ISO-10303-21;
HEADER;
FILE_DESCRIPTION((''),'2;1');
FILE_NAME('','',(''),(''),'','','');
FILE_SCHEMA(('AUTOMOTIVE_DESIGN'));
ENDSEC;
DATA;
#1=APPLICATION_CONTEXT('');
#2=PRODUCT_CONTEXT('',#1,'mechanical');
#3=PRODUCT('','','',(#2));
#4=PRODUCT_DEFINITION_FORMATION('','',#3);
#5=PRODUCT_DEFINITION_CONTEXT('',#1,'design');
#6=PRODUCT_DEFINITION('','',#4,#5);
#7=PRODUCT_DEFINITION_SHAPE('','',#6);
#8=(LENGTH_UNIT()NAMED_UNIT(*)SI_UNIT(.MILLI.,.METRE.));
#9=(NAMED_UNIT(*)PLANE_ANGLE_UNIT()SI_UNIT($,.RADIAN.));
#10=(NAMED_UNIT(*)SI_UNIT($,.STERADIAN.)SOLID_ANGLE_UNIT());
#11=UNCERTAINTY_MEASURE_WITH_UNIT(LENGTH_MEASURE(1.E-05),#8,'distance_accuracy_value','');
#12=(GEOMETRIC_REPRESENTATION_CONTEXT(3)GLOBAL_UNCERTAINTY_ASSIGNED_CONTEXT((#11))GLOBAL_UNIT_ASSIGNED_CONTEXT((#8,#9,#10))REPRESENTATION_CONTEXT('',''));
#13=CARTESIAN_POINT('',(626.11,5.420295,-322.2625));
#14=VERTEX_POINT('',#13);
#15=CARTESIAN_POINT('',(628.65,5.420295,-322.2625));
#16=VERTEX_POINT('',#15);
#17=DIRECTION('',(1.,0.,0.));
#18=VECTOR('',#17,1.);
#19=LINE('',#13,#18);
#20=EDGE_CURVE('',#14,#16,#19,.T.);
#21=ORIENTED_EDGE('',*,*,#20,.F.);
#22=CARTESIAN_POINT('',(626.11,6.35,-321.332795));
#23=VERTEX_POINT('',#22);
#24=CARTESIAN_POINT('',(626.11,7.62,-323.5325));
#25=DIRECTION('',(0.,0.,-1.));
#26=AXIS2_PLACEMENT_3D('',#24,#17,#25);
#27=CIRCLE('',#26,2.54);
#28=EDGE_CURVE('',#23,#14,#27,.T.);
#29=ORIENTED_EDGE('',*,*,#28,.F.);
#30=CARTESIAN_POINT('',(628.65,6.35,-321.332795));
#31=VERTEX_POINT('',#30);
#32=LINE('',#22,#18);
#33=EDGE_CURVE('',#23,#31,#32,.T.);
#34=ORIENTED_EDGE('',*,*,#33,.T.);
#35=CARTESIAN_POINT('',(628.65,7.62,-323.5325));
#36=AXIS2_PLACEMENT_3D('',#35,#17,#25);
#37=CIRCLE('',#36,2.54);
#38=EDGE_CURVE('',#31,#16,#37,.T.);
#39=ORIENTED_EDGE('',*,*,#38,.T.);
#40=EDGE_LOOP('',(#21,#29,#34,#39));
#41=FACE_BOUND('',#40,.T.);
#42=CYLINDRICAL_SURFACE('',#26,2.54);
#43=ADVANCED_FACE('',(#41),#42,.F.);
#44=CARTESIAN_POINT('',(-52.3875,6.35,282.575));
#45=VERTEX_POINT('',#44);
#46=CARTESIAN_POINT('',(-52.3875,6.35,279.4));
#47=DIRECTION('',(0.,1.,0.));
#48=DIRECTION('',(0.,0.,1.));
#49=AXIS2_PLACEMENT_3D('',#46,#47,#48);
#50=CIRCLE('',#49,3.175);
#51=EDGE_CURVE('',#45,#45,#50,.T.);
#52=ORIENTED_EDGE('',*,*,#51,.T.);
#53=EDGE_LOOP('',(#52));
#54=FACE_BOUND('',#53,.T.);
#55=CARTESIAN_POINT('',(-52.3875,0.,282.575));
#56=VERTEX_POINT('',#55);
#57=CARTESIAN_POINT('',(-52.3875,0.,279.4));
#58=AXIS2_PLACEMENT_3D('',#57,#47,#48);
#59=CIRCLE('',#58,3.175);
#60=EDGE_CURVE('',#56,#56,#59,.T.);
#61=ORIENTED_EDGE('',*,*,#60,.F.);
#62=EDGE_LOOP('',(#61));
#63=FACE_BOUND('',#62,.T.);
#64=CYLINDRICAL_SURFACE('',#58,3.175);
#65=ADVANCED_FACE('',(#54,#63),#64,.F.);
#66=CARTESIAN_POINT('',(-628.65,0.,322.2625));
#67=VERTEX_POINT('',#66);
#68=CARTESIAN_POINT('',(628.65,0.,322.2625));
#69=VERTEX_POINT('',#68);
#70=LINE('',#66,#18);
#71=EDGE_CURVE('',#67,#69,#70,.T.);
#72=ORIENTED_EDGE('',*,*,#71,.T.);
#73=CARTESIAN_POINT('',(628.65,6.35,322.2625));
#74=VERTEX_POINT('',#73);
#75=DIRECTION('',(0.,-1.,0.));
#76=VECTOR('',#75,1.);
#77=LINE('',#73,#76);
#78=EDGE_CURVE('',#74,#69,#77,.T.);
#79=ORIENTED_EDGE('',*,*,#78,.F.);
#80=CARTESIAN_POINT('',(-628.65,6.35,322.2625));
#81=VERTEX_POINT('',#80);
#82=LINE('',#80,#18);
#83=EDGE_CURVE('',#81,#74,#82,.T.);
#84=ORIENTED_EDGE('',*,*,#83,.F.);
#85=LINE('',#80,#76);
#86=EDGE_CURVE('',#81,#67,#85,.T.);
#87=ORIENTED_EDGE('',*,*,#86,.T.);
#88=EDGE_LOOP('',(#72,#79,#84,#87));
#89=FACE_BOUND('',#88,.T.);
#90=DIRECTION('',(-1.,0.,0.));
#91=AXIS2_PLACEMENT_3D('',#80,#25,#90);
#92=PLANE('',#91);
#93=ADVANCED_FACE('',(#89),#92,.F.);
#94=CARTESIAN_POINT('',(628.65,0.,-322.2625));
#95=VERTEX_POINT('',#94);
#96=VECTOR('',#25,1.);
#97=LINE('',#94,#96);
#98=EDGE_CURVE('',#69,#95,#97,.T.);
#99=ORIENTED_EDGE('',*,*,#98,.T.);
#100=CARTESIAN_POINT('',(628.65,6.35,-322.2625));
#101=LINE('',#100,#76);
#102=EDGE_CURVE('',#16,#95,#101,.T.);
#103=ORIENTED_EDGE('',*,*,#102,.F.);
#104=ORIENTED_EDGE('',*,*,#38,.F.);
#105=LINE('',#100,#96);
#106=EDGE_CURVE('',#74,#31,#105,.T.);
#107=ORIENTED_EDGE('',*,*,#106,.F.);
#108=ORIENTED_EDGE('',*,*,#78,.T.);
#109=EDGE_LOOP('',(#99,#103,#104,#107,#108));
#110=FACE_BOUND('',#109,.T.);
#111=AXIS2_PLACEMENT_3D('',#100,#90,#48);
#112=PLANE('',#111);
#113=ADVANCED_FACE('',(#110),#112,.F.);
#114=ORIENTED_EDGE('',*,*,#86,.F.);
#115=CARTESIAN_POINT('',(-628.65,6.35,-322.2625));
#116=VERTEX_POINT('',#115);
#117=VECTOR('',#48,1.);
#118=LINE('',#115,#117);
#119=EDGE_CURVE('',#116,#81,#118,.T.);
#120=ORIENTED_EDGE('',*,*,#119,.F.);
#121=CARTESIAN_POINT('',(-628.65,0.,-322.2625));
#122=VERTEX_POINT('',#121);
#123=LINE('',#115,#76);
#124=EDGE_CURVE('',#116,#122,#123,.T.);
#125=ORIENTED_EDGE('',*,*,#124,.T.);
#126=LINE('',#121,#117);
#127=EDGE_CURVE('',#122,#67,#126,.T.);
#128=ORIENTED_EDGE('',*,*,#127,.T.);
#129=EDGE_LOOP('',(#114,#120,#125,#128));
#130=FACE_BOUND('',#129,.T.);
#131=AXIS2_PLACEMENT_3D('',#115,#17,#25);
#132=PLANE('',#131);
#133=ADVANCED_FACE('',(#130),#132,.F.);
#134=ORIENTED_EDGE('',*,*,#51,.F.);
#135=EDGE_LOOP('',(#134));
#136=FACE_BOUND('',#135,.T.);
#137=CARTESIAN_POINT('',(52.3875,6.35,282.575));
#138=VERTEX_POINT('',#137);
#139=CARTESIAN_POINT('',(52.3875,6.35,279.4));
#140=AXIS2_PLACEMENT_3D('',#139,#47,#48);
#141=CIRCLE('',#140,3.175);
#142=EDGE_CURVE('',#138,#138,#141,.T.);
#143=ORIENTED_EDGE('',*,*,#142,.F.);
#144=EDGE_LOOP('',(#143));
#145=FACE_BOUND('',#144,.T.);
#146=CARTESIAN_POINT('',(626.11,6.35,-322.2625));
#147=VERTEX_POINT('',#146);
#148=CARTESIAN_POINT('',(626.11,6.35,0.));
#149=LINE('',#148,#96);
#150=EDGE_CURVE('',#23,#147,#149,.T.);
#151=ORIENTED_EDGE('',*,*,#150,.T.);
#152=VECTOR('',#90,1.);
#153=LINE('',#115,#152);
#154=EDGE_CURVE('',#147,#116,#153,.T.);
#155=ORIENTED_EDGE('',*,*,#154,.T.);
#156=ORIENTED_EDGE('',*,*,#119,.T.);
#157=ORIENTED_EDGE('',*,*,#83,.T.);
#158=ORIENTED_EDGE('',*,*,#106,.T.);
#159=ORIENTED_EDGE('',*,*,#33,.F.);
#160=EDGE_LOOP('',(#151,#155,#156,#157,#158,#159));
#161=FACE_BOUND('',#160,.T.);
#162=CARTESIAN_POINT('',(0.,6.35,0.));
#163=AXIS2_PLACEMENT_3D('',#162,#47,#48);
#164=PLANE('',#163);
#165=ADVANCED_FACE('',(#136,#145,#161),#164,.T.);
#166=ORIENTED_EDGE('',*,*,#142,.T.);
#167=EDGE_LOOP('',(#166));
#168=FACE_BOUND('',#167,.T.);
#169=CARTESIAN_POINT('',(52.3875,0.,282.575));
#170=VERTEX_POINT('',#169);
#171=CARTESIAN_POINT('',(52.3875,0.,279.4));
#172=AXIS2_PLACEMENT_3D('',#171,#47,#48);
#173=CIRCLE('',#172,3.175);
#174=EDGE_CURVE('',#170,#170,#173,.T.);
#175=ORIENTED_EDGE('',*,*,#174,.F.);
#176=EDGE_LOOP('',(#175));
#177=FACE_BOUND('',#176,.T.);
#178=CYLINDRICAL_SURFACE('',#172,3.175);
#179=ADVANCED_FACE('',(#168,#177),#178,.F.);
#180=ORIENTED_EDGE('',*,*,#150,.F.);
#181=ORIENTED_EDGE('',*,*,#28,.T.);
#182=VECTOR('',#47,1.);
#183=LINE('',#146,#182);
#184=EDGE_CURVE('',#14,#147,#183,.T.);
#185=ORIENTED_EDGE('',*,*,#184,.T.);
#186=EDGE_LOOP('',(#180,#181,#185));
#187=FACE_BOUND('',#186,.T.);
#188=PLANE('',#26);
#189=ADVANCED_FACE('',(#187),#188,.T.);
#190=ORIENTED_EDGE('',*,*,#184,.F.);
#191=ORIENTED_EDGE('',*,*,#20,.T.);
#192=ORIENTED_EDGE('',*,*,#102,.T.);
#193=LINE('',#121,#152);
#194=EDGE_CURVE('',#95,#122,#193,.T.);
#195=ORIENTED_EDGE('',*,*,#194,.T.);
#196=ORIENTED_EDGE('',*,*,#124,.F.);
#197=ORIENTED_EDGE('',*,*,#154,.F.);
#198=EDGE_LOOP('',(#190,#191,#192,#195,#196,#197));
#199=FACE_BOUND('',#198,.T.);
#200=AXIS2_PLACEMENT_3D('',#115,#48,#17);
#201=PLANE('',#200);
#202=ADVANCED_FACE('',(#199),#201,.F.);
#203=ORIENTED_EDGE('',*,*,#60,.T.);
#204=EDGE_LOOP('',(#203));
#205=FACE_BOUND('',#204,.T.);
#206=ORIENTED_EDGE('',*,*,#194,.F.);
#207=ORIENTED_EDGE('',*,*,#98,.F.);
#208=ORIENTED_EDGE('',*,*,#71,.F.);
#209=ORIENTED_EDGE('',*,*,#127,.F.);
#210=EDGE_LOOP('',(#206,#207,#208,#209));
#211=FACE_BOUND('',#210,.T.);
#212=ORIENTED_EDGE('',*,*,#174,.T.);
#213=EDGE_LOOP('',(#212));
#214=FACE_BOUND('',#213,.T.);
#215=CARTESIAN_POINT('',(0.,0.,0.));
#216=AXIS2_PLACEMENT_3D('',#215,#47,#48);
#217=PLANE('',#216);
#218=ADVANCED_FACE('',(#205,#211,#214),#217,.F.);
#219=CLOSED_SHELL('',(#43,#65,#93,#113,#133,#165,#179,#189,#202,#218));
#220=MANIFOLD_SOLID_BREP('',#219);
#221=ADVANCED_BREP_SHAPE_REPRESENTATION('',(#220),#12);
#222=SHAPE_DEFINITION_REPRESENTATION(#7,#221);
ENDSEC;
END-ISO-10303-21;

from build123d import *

# Parameters (mm, degrees)
SKETCH1_W           = 1257.3
SKETCH1_H           = 644.525
BOSS_EXTRUDE1_DEPTH = 6.35
SKETCH2_R           = 3.175
CUT_EXTRUDE1_DEPTH  = 707.466038749
SKETCH3_R           = 2.54
CUT_EXTRUDE2_DEPTH  = 2.54


with BuildPart() as part:
    # Sketch1 → Boss-Extrude1 (new body)
    with BuildSketch(Plane(origin=(0, 0, 0), x_dir=(1, 0, 0), z_dir=(0, 1, 0))):
        Rectangle(SKETCH1_W, SKETCH1_H)
    extrude(amount=BOSS_EXTRUDE1_DEPTH)

    # Sketch2 → Cut-Extrude1 (cut, through all)
    with BuildSketch(Plane(origin=(0, 6.35, 0), x_dir=(1, 0, 0), z_dir=(0, 1, 0))):
        with Locations(Location((-52.3875, -279.4, 0), (0, 0, 270))):
            Circle(SKETCH2_R)
        with Locations(Location((52.3875, -279.4, 0), (0, 0, 270))):
            Circle(SKETCH2_R)
    extrude(amount=-CUT_EXTRUDE1_DEPTH, mode=Mode.SUBTRACT)

    # Sketch3 → Cut-Extrude2 (cut)
    with BuildSketch(Plane(origin=(628.65, 0, 0), x_dir=(0, 0, -1), z_dir=(1, 0, 0))):
        with Locations((323.5325, 7.62)):
            Circle(SKETCH3_R)
    extrude(amount=-CUT_EXTRUDE2_DEPTH, mode=Mode.SUBTRACT)


solid = part.part
